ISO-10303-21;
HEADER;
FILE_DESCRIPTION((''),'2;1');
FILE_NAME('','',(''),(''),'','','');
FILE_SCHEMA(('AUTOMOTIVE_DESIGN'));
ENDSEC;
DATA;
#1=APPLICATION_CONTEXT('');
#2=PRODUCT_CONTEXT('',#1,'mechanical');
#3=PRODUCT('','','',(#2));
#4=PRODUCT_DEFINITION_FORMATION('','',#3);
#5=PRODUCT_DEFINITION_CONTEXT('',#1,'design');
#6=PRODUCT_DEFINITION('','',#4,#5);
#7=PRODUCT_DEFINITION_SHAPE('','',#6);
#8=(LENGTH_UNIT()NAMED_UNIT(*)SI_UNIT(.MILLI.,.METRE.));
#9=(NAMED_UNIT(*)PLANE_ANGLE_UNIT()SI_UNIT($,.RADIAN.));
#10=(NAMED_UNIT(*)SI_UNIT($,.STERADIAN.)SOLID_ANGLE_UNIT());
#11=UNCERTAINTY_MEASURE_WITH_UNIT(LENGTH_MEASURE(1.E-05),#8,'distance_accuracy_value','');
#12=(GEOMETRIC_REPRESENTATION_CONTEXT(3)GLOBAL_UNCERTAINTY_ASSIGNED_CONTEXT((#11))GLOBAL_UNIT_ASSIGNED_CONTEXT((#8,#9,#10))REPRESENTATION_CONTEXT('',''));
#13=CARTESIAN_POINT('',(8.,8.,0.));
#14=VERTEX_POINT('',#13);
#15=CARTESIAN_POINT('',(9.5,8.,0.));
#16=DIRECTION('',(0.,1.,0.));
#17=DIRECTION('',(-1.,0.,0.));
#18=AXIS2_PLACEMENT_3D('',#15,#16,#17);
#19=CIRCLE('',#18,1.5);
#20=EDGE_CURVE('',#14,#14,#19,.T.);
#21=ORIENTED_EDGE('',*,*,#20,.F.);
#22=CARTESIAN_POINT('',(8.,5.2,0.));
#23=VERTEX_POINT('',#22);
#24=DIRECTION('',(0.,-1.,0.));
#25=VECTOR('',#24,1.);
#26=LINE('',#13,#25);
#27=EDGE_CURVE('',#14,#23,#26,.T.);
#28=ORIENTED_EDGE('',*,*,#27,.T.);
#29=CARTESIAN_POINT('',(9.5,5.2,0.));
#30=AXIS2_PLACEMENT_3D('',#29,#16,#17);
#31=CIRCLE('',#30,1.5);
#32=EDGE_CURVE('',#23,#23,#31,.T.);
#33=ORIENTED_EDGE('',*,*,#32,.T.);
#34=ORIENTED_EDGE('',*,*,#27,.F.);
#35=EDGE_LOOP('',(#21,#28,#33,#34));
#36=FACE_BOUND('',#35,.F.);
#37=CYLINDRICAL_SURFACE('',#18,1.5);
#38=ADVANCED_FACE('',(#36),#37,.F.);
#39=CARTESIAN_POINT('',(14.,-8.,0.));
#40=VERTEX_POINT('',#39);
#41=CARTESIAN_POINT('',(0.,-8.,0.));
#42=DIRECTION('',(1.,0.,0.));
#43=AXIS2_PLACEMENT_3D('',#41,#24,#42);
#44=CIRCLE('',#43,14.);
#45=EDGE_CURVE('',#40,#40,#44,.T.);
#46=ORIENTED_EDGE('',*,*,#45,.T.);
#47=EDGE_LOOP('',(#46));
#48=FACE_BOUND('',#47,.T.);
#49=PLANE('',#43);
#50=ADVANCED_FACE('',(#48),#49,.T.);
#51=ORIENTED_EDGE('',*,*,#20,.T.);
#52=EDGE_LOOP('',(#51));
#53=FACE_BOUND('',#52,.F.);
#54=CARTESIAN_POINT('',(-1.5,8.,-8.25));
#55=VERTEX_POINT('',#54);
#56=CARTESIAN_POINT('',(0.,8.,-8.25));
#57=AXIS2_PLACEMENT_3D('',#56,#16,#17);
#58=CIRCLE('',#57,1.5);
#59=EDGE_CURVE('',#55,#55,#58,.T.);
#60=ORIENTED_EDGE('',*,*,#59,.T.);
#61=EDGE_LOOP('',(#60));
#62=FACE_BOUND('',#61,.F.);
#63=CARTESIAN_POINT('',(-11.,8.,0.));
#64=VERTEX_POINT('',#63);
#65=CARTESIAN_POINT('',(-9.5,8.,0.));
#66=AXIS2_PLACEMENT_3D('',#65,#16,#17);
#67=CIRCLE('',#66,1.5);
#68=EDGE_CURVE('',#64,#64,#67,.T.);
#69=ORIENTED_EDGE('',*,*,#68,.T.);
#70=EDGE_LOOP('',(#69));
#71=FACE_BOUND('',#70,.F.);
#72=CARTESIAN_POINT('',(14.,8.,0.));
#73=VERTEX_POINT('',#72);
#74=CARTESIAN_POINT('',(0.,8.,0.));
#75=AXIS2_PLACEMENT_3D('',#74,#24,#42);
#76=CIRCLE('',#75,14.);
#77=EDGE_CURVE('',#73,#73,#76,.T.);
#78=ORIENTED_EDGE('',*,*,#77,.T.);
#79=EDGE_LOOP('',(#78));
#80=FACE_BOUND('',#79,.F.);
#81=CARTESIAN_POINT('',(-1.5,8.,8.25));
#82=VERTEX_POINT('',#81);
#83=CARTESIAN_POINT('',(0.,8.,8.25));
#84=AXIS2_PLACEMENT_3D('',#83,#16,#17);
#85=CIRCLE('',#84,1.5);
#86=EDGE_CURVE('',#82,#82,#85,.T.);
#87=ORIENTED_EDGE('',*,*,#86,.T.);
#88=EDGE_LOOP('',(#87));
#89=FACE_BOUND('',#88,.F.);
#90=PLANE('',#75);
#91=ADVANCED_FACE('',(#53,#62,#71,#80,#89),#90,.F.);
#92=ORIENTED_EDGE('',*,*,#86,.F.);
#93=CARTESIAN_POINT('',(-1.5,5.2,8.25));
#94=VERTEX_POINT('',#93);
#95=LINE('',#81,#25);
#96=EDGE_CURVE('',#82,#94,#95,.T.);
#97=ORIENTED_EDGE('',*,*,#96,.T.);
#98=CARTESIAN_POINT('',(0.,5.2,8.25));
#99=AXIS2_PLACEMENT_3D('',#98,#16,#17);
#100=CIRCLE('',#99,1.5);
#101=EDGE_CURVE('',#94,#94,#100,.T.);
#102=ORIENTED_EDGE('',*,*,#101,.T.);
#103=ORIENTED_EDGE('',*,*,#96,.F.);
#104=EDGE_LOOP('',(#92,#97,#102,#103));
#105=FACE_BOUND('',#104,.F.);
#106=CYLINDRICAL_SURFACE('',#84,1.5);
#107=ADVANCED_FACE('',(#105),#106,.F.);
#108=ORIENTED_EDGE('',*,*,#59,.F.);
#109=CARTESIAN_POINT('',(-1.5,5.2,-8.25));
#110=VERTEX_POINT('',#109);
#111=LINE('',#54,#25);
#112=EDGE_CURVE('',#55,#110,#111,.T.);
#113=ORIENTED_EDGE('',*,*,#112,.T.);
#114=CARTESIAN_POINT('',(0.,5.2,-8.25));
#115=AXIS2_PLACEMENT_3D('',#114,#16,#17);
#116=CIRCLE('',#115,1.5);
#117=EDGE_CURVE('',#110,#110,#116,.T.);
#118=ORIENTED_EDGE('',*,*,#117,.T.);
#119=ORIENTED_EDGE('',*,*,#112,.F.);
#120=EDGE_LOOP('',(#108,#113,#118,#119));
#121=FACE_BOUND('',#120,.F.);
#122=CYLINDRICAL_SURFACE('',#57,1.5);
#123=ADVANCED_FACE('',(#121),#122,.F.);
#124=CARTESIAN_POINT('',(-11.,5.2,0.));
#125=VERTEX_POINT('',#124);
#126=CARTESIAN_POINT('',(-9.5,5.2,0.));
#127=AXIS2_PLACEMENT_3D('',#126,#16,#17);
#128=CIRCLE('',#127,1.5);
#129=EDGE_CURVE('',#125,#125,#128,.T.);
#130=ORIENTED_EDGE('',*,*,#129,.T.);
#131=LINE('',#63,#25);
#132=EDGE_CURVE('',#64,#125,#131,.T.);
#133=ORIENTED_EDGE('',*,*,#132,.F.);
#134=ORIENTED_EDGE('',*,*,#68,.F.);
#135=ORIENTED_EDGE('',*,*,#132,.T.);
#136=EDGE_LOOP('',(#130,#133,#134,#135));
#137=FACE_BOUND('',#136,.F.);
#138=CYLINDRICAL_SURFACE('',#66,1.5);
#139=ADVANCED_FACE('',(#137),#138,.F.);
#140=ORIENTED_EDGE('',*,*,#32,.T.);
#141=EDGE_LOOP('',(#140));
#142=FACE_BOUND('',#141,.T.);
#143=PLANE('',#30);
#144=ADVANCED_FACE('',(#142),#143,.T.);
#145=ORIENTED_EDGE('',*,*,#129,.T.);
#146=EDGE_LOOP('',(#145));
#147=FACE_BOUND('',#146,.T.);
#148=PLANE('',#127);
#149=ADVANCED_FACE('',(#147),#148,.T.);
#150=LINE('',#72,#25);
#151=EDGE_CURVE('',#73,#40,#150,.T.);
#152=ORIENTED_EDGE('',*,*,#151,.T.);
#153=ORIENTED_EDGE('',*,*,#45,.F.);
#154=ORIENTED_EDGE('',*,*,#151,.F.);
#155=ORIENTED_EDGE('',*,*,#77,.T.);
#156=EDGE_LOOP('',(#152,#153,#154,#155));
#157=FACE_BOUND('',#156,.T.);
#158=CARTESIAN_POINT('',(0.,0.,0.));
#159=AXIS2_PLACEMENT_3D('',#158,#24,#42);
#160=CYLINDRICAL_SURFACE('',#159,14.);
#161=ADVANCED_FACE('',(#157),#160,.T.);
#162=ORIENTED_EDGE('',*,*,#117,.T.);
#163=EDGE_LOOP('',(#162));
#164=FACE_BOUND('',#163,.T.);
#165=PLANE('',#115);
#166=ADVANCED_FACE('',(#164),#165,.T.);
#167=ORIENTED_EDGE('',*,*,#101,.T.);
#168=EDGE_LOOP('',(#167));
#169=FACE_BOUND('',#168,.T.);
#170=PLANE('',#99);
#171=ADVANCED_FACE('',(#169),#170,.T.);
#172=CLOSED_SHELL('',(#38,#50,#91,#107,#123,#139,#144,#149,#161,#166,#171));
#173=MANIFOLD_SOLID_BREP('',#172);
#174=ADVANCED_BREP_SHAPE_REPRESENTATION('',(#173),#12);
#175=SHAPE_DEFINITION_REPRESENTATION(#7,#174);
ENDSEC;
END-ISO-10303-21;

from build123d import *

# Parameters (mm, degrees)
F0_R     = 14
F1_DEPTH = 8
F2_R     = 1.5
F3_DEPTH = 2.8


with BuildPart() as f1:
    # F0 (on Front) → F1 (new body, symmetric)
    with BuildSketch(Plane.XZ):
        Circle(F0_R)
    extrude(amount=F1_DEPTH, both=True)

    # F2 (on face) → F3 (cut)
    with BuildSketch(Plane(origin=(0, 8, 0), x_dir=(-1, 0, 0), z_dir=(0, 1, 0))):
        with Locations((0, 8.25)):
            Circle(F2_R)
        with Locations((0, -8.25)):
            Circle(F2_R)
        with Locations((9.5, 0)):
            Circle(F2_R)
        with Locations((-9.5, 0)):
            Circle(F2_R)
    extrude(amount=-F3_DEPTH, mode=Mode.SUBTRACT)


solid = f1.part
